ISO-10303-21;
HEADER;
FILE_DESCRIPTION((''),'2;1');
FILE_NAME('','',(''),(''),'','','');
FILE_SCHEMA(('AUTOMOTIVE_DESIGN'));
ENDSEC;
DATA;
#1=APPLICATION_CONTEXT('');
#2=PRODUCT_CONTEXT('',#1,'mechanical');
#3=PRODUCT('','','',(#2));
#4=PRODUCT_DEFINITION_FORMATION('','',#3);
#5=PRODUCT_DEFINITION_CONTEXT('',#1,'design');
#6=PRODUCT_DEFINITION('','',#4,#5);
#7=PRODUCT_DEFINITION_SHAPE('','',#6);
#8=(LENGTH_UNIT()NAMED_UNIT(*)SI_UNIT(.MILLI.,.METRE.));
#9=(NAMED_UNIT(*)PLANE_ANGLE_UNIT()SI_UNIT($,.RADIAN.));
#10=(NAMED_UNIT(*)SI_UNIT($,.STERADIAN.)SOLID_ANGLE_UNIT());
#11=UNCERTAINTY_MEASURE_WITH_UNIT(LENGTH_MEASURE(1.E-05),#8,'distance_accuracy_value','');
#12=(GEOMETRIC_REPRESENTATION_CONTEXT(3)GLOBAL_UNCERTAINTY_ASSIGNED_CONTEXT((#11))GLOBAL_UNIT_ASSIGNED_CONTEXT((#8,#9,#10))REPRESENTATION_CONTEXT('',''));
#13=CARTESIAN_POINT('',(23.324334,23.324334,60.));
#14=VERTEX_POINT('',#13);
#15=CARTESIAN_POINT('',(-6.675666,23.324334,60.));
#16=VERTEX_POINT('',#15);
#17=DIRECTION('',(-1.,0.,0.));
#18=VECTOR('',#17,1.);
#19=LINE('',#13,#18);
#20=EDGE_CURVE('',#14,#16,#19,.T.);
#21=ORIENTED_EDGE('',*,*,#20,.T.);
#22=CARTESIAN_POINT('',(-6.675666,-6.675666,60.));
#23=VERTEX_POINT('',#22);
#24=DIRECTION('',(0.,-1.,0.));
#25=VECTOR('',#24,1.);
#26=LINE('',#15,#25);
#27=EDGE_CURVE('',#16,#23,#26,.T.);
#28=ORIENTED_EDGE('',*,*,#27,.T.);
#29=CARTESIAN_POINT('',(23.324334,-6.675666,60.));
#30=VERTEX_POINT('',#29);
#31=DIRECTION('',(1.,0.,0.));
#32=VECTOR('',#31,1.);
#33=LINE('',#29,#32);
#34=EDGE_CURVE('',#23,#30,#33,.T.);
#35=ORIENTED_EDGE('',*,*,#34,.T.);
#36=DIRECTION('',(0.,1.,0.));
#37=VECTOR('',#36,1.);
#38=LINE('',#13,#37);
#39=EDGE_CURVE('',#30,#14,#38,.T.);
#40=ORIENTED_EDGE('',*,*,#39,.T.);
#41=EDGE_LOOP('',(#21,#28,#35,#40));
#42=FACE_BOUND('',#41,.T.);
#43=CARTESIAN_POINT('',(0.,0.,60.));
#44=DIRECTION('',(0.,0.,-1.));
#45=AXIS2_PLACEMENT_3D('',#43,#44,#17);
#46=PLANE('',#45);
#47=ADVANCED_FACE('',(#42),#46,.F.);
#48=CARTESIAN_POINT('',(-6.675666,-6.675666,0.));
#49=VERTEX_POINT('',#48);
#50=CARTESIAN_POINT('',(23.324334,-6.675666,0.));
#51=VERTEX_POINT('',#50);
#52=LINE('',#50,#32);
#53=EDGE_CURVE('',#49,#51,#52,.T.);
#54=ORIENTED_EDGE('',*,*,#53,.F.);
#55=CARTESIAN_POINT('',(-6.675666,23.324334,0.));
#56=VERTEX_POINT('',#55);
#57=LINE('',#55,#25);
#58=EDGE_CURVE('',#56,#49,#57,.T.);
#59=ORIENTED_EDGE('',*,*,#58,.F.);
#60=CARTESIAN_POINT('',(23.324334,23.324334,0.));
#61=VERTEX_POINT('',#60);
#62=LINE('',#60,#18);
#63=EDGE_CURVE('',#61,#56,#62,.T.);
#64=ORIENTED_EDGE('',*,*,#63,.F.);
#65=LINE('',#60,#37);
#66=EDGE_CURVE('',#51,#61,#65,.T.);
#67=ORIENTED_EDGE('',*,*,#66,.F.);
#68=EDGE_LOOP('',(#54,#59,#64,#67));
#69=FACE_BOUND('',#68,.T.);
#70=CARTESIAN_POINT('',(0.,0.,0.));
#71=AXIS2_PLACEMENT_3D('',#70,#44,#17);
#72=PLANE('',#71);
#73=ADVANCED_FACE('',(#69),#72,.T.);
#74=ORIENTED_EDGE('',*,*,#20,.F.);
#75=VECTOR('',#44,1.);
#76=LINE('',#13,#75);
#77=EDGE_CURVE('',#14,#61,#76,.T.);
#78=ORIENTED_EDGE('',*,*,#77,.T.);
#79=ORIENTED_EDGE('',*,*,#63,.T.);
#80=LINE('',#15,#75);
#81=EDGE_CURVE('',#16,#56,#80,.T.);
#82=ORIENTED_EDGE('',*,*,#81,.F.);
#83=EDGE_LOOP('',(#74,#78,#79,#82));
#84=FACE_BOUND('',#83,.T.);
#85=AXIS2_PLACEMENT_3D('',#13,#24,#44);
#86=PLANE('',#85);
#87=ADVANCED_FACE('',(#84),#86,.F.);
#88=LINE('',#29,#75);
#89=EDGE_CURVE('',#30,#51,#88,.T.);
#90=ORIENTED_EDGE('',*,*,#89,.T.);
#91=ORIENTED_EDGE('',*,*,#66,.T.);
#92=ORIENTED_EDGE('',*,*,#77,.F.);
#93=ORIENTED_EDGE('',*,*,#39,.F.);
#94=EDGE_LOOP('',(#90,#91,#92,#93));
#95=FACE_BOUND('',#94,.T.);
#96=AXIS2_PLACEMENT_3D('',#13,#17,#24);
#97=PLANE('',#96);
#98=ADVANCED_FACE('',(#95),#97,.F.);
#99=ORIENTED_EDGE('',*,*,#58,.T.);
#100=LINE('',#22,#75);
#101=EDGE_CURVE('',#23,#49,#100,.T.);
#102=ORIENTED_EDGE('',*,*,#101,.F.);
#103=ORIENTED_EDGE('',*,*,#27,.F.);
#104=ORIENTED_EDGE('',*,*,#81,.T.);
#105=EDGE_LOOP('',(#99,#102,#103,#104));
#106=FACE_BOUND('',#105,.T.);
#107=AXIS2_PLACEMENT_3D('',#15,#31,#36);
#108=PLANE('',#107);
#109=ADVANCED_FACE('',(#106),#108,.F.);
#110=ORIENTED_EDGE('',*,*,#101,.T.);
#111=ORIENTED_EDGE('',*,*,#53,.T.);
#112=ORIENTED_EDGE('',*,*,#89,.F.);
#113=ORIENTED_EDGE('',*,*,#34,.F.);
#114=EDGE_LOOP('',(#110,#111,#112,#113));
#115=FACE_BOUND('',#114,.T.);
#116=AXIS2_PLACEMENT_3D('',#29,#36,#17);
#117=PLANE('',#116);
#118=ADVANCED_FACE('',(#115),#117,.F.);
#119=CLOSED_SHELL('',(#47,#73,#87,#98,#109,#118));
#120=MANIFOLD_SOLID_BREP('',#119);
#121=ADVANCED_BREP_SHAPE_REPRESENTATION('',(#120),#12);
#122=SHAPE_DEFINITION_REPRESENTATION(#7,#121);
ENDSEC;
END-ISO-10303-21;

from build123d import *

# Parameters (mm, degrees)
CROQUIS1_W              = 30
CROQUIS1_H              = 30
SALIENTE_EXTRUIR1_DEPTH = 60


with BuildPart() as part:
    # Croquis1 → Saliente-Extruir1 (new body)
    with BuildSketch(Plane.XY):
        with Locations((8.324333554, 8.324333554)):
            Rectangle(CROQUIS1_W, CROQUIS1_H)
    extrude(amount=SALIENTE_EXTRUIR1_DEPTH)


solid = part.part
